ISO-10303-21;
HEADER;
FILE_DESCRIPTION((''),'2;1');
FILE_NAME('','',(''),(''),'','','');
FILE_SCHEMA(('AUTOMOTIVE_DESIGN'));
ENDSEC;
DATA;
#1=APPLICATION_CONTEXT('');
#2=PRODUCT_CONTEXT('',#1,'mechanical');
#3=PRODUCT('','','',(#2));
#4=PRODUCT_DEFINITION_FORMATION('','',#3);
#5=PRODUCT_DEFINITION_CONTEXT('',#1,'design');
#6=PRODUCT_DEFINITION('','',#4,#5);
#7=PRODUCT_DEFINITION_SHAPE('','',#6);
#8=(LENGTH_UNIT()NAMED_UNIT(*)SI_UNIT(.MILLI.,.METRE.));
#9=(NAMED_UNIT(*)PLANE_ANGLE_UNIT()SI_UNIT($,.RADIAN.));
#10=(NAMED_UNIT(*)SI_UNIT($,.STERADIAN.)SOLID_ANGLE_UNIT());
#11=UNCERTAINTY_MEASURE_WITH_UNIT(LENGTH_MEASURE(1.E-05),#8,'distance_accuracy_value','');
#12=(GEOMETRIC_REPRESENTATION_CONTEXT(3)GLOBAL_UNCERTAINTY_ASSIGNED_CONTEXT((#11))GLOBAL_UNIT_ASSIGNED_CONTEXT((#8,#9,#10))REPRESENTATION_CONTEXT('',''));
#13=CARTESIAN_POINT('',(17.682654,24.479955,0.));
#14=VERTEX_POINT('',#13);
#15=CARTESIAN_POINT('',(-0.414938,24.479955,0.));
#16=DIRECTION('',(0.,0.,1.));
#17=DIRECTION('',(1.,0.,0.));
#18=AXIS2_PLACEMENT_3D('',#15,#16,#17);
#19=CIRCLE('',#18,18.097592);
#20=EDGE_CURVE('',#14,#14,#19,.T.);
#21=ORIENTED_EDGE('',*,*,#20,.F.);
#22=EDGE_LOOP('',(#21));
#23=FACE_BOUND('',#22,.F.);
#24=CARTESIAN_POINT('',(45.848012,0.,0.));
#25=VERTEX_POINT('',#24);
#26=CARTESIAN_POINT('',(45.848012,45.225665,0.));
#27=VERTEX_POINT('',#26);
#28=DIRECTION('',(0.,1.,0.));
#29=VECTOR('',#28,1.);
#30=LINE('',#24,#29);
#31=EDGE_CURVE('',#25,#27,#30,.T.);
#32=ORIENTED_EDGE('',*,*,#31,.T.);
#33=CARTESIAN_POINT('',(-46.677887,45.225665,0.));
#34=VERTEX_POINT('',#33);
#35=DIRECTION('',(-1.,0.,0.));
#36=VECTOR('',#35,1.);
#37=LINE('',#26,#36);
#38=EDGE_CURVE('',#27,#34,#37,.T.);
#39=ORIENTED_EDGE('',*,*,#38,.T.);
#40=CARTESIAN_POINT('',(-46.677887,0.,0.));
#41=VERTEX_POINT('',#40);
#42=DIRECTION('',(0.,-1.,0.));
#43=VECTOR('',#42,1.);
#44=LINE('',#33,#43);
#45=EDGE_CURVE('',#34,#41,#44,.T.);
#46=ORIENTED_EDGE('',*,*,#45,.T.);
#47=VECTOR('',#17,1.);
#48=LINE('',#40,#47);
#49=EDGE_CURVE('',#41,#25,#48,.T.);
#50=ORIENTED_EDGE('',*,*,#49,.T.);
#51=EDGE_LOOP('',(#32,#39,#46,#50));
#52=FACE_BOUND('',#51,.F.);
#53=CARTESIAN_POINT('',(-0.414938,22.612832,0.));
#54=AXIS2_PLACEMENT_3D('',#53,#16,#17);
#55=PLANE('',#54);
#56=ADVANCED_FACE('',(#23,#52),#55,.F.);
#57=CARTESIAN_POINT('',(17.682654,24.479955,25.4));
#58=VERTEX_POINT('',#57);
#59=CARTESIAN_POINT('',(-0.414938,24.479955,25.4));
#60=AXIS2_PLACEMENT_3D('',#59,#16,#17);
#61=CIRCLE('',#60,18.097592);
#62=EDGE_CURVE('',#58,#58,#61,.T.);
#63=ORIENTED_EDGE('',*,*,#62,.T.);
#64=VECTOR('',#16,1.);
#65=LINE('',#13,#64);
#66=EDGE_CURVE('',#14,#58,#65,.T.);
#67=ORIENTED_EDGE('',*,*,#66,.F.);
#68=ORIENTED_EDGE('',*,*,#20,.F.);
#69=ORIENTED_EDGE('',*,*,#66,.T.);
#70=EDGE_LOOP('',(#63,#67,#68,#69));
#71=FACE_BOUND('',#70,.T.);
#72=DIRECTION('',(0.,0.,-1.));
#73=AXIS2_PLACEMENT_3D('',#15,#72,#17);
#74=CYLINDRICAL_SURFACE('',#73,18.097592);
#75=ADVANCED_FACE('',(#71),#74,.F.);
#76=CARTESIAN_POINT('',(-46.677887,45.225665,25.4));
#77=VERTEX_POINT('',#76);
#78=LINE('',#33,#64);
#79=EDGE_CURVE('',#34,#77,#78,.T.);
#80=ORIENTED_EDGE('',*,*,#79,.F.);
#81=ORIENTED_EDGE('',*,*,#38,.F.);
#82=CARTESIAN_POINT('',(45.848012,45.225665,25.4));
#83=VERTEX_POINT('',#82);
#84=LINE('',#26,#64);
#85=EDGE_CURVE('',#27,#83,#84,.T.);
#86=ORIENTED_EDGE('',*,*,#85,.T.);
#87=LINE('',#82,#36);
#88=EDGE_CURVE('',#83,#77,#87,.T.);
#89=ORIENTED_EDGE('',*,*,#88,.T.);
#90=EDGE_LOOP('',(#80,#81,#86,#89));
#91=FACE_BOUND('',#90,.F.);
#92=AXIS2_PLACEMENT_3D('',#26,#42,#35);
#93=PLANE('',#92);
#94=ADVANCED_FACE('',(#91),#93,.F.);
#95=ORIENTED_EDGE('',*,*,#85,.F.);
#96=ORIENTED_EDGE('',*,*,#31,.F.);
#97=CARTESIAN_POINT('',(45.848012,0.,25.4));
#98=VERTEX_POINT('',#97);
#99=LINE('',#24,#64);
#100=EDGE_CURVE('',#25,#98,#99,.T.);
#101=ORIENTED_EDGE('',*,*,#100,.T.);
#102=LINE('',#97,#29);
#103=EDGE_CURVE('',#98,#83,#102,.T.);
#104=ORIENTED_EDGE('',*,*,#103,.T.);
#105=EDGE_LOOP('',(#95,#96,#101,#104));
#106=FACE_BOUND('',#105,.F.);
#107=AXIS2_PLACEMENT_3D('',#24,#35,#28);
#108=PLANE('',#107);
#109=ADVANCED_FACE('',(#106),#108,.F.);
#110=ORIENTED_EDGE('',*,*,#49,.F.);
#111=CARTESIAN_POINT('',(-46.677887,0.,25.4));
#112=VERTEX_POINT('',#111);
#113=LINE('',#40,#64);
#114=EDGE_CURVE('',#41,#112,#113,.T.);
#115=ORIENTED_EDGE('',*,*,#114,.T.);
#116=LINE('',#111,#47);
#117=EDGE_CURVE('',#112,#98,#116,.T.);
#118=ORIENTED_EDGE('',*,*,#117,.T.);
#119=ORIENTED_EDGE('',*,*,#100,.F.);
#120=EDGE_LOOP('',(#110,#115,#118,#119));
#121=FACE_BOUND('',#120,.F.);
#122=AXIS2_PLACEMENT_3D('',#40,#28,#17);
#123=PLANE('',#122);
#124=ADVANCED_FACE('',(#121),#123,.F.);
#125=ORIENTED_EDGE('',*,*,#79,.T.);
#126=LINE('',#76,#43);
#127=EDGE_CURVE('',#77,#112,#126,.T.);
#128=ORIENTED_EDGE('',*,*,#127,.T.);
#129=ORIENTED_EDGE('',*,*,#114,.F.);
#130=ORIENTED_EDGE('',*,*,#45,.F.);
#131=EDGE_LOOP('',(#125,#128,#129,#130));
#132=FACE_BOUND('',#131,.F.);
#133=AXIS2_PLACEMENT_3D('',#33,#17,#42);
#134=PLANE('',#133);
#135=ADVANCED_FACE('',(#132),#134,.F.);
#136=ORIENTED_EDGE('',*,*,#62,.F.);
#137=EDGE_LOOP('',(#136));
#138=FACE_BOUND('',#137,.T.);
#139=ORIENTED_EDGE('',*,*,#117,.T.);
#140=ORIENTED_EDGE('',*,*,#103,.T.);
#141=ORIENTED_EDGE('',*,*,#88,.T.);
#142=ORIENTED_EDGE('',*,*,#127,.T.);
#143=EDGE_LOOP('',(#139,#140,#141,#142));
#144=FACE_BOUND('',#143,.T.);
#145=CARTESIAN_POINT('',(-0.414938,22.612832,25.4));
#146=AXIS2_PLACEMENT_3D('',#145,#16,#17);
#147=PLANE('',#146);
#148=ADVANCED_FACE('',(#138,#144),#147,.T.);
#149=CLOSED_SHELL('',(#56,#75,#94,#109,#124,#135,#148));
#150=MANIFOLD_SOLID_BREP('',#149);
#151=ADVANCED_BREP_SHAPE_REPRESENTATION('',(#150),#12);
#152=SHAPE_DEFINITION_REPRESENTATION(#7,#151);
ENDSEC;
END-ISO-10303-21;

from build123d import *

# Parameters (mm, degrees)
F0_R     = 18.097592
F1_DEPTH = 25.4


with BuildPart() as f1:
    # F0 (on Top) → F1 (new body)
    with BuildSketch(Plane.XY):
        Polygon((-46.677887, 0), (0, 0), (45.848012, 0), (45.848012, 45.225665), (-46.677887, 45.225665), align=None)
        with Locations((-0.414938, 24.479955)):
            Circle(F0_R, mode=Mode.SUBTRACT)
    extrude(amount=F1_DEPTH)


solid = f1.part
